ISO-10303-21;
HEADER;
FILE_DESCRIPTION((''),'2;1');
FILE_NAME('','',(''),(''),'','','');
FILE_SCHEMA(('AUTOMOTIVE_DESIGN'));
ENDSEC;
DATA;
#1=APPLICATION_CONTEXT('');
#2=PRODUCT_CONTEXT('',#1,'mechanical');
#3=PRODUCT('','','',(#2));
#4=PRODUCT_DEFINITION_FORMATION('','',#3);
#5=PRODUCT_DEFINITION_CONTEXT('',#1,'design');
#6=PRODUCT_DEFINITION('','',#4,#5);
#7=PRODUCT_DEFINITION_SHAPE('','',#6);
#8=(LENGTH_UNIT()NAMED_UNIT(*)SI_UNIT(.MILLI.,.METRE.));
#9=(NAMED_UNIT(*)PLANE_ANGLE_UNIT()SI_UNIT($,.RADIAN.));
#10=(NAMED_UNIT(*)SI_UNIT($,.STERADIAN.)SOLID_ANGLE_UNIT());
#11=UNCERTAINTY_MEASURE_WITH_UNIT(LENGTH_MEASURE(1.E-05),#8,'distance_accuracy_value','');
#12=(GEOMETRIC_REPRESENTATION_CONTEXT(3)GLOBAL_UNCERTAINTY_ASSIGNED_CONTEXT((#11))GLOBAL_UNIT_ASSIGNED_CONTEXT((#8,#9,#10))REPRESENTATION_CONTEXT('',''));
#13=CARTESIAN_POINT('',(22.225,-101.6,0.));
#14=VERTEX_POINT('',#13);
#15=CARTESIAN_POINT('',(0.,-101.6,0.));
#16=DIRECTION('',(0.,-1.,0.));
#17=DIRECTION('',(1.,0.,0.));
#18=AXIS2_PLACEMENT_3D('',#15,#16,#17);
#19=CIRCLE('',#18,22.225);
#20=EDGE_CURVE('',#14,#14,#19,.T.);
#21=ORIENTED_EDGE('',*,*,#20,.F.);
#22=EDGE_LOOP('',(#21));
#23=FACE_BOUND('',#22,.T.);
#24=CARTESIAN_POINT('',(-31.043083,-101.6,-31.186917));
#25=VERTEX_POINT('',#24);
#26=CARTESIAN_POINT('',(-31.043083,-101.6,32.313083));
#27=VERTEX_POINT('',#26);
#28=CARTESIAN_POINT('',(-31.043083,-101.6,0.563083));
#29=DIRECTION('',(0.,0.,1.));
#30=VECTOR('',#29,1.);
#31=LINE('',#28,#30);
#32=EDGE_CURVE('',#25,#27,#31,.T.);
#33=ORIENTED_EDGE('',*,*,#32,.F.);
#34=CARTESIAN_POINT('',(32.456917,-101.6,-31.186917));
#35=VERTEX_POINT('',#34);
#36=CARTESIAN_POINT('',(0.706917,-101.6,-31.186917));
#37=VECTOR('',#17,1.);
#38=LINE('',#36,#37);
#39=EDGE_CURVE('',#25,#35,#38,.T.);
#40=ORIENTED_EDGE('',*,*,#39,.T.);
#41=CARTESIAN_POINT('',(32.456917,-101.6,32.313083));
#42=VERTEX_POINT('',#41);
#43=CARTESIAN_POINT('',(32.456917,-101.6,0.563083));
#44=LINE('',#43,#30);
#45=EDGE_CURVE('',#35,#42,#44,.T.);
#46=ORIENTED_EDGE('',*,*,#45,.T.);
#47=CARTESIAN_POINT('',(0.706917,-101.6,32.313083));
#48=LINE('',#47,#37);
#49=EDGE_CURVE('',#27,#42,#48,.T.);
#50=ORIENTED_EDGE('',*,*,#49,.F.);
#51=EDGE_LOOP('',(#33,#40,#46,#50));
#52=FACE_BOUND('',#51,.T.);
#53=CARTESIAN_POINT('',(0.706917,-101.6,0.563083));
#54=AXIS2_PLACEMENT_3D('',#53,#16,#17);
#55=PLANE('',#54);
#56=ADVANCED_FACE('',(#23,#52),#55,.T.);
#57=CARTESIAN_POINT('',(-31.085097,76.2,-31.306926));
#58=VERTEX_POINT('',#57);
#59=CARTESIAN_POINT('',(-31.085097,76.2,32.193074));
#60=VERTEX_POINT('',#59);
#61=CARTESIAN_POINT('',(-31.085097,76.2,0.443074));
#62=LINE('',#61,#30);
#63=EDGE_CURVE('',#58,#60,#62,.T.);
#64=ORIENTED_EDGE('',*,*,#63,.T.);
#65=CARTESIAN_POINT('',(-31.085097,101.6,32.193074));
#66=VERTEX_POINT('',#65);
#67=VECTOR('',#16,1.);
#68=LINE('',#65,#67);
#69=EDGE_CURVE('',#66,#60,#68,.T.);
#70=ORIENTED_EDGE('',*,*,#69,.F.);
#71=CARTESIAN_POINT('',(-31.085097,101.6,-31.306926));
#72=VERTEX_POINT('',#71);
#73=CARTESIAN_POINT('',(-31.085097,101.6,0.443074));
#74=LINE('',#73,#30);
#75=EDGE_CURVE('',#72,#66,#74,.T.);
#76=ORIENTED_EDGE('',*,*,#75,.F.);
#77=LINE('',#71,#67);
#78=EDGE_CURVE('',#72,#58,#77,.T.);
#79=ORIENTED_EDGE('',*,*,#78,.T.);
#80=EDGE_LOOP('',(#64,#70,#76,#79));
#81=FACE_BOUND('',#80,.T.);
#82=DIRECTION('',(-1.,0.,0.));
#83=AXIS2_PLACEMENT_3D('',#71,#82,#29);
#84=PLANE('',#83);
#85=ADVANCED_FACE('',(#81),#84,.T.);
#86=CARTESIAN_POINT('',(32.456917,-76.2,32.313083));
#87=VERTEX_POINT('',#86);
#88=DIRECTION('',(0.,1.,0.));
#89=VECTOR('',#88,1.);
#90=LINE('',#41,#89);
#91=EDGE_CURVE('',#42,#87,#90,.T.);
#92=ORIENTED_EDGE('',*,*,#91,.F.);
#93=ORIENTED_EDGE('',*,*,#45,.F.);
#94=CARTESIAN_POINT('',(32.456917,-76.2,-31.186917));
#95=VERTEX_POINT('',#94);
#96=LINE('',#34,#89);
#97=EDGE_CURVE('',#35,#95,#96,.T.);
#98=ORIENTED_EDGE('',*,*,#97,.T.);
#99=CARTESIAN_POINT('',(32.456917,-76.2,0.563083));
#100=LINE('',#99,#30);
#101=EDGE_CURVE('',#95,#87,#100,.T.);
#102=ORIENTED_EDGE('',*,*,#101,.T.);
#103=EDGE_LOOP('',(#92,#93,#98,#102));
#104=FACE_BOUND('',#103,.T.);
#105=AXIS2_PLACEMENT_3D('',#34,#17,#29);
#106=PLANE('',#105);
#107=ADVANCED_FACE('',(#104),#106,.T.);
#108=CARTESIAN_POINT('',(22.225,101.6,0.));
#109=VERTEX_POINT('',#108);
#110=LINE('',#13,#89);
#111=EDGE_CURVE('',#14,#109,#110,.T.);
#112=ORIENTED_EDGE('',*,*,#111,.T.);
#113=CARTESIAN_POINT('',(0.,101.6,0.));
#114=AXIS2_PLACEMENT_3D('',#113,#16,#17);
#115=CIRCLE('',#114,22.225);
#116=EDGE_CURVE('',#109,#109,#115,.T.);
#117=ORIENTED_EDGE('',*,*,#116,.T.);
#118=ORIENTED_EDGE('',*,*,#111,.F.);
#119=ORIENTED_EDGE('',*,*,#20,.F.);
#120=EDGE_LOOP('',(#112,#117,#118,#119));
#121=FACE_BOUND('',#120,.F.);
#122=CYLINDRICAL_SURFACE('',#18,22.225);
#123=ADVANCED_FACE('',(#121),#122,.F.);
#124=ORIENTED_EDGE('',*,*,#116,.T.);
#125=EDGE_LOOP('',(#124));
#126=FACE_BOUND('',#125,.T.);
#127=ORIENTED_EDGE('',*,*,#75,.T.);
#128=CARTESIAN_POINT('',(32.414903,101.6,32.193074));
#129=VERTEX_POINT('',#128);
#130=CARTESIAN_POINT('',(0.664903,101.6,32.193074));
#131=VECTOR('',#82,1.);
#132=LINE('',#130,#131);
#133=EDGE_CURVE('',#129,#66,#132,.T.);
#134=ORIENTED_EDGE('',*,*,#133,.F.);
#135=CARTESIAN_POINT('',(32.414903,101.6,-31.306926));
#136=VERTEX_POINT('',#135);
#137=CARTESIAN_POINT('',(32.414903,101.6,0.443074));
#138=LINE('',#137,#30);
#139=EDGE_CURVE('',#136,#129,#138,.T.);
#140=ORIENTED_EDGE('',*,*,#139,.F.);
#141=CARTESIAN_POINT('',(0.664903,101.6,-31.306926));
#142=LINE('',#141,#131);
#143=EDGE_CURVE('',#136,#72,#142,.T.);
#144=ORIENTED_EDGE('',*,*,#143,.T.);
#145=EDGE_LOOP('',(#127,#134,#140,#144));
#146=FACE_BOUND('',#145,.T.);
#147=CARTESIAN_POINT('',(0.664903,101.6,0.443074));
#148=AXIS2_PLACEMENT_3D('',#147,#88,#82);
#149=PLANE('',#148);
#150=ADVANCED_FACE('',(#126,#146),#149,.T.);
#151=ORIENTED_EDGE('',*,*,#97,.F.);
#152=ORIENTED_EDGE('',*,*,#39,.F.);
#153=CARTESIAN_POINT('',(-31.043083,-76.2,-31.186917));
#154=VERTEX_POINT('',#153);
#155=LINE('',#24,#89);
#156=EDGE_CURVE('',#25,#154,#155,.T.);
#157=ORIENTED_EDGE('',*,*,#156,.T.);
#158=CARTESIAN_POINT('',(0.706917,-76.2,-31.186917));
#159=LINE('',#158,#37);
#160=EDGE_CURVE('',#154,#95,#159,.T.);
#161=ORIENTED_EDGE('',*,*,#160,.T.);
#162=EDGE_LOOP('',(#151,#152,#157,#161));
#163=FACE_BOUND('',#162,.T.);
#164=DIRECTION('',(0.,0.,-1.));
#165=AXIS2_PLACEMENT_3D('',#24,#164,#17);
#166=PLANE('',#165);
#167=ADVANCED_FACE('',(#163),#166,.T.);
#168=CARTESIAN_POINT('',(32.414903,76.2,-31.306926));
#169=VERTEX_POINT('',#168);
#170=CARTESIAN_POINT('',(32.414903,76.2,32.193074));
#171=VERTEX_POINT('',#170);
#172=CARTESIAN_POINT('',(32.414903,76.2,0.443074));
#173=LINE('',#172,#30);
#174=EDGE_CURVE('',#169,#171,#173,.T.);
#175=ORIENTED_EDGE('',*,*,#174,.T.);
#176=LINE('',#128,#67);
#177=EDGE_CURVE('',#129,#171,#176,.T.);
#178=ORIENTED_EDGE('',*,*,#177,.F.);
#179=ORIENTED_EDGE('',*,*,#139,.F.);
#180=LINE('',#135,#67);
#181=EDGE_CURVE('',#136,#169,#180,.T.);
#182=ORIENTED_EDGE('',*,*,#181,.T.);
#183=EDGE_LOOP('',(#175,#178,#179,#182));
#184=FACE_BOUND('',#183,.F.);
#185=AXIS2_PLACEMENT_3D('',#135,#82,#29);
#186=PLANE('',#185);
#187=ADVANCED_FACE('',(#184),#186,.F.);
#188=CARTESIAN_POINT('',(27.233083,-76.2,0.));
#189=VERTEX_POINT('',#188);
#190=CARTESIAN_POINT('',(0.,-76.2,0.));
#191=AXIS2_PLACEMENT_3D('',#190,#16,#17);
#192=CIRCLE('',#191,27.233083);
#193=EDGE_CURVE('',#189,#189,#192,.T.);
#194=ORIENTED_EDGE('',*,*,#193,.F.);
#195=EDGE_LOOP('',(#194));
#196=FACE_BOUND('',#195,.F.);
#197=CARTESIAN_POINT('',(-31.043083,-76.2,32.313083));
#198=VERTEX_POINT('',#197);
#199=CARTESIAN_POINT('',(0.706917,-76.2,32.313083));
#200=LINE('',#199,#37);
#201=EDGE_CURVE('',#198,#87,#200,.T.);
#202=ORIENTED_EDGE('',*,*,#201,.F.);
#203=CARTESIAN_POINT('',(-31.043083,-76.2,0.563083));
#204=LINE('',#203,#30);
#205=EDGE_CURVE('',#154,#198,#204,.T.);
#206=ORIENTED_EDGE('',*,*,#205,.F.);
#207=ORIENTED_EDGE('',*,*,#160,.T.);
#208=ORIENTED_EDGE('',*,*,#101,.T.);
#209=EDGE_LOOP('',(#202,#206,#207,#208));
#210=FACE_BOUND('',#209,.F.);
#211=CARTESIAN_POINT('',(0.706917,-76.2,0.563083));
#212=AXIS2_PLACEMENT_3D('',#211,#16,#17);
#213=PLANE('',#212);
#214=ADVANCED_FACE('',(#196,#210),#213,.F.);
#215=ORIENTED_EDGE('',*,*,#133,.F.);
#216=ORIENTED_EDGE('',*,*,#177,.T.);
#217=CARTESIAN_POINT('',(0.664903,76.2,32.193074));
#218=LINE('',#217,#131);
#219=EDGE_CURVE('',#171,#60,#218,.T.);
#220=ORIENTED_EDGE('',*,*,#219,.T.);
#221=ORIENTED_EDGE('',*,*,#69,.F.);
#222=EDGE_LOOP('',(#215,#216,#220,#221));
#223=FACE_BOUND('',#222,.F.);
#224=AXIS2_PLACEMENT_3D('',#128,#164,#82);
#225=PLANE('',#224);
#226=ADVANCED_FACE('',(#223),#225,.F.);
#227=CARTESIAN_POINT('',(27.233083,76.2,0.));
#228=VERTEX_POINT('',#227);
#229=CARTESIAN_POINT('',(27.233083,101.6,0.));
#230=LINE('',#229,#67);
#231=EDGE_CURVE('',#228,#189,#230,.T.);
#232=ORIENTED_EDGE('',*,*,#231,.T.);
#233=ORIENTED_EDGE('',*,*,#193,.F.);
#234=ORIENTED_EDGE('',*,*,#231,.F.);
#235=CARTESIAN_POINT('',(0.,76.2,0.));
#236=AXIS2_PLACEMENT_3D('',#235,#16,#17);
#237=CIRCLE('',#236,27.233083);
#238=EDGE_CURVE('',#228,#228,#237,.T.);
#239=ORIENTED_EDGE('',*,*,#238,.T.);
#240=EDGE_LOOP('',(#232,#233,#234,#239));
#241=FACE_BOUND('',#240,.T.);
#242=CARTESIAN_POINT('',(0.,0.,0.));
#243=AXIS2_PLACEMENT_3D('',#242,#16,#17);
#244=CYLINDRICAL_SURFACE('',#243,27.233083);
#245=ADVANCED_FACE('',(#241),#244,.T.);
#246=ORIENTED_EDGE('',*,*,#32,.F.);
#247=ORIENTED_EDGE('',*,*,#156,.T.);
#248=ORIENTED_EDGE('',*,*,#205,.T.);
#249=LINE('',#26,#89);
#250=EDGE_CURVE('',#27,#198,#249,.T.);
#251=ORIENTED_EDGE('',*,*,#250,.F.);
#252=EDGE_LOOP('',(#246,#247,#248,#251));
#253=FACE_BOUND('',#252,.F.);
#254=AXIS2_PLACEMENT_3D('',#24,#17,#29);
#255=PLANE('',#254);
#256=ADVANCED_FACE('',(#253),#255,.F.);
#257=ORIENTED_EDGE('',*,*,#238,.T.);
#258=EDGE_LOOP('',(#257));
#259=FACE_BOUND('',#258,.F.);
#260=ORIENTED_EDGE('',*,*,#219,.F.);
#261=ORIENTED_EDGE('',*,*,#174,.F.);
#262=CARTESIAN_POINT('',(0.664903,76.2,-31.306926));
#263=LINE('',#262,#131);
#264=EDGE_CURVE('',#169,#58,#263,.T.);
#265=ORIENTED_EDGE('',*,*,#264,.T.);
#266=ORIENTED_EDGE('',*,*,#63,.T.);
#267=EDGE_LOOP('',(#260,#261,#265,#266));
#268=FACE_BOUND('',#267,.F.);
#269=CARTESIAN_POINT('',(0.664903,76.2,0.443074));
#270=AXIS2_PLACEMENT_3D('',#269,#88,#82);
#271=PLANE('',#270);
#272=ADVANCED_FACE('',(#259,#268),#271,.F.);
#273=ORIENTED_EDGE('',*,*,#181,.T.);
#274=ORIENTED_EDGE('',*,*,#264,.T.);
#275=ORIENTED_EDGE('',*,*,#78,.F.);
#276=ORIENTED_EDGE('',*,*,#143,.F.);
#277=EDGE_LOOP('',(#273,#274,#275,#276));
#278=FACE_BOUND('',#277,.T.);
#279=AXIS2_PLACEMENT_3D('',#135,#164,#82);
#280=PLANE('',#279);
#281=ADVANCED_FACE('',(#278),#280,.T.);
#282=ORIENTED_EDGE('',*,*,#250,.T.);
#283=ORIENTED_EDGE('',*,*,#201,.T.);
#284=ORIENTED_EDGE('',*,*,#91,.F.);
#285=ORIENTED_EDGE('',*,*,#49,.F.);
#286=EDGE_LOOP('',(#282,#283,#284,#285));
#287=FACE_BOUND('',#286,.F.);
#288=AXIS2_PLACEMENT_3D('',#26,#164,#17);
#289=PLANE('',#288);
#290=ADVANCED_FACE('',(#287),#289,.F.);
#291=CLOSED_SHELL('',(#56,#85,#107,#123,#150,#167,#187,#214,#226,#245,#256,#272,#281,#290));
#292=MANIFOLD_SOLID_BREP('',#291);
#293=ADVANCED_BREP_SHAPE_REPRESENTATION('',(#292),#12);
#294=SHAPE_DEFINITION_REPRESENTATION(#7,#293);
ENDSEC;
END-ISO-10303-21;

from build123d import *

# Parameters (mm, degrees)
F0_R          = 27.233083
F1_DEPTH      = 101.6
F1_DEPTH_BACK = 101.6
F2_W          = 63.5
F2_H          = 63.5
F2_R          = 27.233083
F3_DEPTH      = 25.4
F5_W          = 63.5
F5_H          = 63.5
F6_DEPTH      = 25.4
F4_R          = 22.225
F7_DEPTH      = 203.2


with BuildPart() as f1:
    # F0 (on Front) → F1 (new body, two sides)
    with BuildSketch(Plane.XZ) as f1_sk:
        Circle(F0_R)
    extrude(amount=F1_DEPTH)
    extrude(f1_sk.sketch, amount=-F1_DEPTH_BACK)

    # F2 (on face) → F3 (join)
    with BuildSketch(Plane.XZ.offset(101.6)):
        with Locations((0.706917, 0.563083)):
            Rectangle(F2_W, F2_H)
        Circle(F2_R, mode=Mode.SUBTRACT)
    extrude(amount=-F3_DEPTH)

    # F5 (on face) → F6 (join)
    with BuildSketch(Plane(origin=(0, 101.6, 0), x_dir=(-1, 0, 0), z_dir=(0, 1, 0))):
        with Locations((-0.664903, 0.443074)):
            Rectangle(F5_W, F5_H)
    extrude(amount=-F6_DEPTH)

    # F4 (on face) → F7 (cut)
    with BuildSketch(Plane.XZ.offset(101.6)):
        Circle(F4_R)
    extrude(amount=-F7_DEPTH, mode=Mode.SUBTRACT)


solid = f1.part
